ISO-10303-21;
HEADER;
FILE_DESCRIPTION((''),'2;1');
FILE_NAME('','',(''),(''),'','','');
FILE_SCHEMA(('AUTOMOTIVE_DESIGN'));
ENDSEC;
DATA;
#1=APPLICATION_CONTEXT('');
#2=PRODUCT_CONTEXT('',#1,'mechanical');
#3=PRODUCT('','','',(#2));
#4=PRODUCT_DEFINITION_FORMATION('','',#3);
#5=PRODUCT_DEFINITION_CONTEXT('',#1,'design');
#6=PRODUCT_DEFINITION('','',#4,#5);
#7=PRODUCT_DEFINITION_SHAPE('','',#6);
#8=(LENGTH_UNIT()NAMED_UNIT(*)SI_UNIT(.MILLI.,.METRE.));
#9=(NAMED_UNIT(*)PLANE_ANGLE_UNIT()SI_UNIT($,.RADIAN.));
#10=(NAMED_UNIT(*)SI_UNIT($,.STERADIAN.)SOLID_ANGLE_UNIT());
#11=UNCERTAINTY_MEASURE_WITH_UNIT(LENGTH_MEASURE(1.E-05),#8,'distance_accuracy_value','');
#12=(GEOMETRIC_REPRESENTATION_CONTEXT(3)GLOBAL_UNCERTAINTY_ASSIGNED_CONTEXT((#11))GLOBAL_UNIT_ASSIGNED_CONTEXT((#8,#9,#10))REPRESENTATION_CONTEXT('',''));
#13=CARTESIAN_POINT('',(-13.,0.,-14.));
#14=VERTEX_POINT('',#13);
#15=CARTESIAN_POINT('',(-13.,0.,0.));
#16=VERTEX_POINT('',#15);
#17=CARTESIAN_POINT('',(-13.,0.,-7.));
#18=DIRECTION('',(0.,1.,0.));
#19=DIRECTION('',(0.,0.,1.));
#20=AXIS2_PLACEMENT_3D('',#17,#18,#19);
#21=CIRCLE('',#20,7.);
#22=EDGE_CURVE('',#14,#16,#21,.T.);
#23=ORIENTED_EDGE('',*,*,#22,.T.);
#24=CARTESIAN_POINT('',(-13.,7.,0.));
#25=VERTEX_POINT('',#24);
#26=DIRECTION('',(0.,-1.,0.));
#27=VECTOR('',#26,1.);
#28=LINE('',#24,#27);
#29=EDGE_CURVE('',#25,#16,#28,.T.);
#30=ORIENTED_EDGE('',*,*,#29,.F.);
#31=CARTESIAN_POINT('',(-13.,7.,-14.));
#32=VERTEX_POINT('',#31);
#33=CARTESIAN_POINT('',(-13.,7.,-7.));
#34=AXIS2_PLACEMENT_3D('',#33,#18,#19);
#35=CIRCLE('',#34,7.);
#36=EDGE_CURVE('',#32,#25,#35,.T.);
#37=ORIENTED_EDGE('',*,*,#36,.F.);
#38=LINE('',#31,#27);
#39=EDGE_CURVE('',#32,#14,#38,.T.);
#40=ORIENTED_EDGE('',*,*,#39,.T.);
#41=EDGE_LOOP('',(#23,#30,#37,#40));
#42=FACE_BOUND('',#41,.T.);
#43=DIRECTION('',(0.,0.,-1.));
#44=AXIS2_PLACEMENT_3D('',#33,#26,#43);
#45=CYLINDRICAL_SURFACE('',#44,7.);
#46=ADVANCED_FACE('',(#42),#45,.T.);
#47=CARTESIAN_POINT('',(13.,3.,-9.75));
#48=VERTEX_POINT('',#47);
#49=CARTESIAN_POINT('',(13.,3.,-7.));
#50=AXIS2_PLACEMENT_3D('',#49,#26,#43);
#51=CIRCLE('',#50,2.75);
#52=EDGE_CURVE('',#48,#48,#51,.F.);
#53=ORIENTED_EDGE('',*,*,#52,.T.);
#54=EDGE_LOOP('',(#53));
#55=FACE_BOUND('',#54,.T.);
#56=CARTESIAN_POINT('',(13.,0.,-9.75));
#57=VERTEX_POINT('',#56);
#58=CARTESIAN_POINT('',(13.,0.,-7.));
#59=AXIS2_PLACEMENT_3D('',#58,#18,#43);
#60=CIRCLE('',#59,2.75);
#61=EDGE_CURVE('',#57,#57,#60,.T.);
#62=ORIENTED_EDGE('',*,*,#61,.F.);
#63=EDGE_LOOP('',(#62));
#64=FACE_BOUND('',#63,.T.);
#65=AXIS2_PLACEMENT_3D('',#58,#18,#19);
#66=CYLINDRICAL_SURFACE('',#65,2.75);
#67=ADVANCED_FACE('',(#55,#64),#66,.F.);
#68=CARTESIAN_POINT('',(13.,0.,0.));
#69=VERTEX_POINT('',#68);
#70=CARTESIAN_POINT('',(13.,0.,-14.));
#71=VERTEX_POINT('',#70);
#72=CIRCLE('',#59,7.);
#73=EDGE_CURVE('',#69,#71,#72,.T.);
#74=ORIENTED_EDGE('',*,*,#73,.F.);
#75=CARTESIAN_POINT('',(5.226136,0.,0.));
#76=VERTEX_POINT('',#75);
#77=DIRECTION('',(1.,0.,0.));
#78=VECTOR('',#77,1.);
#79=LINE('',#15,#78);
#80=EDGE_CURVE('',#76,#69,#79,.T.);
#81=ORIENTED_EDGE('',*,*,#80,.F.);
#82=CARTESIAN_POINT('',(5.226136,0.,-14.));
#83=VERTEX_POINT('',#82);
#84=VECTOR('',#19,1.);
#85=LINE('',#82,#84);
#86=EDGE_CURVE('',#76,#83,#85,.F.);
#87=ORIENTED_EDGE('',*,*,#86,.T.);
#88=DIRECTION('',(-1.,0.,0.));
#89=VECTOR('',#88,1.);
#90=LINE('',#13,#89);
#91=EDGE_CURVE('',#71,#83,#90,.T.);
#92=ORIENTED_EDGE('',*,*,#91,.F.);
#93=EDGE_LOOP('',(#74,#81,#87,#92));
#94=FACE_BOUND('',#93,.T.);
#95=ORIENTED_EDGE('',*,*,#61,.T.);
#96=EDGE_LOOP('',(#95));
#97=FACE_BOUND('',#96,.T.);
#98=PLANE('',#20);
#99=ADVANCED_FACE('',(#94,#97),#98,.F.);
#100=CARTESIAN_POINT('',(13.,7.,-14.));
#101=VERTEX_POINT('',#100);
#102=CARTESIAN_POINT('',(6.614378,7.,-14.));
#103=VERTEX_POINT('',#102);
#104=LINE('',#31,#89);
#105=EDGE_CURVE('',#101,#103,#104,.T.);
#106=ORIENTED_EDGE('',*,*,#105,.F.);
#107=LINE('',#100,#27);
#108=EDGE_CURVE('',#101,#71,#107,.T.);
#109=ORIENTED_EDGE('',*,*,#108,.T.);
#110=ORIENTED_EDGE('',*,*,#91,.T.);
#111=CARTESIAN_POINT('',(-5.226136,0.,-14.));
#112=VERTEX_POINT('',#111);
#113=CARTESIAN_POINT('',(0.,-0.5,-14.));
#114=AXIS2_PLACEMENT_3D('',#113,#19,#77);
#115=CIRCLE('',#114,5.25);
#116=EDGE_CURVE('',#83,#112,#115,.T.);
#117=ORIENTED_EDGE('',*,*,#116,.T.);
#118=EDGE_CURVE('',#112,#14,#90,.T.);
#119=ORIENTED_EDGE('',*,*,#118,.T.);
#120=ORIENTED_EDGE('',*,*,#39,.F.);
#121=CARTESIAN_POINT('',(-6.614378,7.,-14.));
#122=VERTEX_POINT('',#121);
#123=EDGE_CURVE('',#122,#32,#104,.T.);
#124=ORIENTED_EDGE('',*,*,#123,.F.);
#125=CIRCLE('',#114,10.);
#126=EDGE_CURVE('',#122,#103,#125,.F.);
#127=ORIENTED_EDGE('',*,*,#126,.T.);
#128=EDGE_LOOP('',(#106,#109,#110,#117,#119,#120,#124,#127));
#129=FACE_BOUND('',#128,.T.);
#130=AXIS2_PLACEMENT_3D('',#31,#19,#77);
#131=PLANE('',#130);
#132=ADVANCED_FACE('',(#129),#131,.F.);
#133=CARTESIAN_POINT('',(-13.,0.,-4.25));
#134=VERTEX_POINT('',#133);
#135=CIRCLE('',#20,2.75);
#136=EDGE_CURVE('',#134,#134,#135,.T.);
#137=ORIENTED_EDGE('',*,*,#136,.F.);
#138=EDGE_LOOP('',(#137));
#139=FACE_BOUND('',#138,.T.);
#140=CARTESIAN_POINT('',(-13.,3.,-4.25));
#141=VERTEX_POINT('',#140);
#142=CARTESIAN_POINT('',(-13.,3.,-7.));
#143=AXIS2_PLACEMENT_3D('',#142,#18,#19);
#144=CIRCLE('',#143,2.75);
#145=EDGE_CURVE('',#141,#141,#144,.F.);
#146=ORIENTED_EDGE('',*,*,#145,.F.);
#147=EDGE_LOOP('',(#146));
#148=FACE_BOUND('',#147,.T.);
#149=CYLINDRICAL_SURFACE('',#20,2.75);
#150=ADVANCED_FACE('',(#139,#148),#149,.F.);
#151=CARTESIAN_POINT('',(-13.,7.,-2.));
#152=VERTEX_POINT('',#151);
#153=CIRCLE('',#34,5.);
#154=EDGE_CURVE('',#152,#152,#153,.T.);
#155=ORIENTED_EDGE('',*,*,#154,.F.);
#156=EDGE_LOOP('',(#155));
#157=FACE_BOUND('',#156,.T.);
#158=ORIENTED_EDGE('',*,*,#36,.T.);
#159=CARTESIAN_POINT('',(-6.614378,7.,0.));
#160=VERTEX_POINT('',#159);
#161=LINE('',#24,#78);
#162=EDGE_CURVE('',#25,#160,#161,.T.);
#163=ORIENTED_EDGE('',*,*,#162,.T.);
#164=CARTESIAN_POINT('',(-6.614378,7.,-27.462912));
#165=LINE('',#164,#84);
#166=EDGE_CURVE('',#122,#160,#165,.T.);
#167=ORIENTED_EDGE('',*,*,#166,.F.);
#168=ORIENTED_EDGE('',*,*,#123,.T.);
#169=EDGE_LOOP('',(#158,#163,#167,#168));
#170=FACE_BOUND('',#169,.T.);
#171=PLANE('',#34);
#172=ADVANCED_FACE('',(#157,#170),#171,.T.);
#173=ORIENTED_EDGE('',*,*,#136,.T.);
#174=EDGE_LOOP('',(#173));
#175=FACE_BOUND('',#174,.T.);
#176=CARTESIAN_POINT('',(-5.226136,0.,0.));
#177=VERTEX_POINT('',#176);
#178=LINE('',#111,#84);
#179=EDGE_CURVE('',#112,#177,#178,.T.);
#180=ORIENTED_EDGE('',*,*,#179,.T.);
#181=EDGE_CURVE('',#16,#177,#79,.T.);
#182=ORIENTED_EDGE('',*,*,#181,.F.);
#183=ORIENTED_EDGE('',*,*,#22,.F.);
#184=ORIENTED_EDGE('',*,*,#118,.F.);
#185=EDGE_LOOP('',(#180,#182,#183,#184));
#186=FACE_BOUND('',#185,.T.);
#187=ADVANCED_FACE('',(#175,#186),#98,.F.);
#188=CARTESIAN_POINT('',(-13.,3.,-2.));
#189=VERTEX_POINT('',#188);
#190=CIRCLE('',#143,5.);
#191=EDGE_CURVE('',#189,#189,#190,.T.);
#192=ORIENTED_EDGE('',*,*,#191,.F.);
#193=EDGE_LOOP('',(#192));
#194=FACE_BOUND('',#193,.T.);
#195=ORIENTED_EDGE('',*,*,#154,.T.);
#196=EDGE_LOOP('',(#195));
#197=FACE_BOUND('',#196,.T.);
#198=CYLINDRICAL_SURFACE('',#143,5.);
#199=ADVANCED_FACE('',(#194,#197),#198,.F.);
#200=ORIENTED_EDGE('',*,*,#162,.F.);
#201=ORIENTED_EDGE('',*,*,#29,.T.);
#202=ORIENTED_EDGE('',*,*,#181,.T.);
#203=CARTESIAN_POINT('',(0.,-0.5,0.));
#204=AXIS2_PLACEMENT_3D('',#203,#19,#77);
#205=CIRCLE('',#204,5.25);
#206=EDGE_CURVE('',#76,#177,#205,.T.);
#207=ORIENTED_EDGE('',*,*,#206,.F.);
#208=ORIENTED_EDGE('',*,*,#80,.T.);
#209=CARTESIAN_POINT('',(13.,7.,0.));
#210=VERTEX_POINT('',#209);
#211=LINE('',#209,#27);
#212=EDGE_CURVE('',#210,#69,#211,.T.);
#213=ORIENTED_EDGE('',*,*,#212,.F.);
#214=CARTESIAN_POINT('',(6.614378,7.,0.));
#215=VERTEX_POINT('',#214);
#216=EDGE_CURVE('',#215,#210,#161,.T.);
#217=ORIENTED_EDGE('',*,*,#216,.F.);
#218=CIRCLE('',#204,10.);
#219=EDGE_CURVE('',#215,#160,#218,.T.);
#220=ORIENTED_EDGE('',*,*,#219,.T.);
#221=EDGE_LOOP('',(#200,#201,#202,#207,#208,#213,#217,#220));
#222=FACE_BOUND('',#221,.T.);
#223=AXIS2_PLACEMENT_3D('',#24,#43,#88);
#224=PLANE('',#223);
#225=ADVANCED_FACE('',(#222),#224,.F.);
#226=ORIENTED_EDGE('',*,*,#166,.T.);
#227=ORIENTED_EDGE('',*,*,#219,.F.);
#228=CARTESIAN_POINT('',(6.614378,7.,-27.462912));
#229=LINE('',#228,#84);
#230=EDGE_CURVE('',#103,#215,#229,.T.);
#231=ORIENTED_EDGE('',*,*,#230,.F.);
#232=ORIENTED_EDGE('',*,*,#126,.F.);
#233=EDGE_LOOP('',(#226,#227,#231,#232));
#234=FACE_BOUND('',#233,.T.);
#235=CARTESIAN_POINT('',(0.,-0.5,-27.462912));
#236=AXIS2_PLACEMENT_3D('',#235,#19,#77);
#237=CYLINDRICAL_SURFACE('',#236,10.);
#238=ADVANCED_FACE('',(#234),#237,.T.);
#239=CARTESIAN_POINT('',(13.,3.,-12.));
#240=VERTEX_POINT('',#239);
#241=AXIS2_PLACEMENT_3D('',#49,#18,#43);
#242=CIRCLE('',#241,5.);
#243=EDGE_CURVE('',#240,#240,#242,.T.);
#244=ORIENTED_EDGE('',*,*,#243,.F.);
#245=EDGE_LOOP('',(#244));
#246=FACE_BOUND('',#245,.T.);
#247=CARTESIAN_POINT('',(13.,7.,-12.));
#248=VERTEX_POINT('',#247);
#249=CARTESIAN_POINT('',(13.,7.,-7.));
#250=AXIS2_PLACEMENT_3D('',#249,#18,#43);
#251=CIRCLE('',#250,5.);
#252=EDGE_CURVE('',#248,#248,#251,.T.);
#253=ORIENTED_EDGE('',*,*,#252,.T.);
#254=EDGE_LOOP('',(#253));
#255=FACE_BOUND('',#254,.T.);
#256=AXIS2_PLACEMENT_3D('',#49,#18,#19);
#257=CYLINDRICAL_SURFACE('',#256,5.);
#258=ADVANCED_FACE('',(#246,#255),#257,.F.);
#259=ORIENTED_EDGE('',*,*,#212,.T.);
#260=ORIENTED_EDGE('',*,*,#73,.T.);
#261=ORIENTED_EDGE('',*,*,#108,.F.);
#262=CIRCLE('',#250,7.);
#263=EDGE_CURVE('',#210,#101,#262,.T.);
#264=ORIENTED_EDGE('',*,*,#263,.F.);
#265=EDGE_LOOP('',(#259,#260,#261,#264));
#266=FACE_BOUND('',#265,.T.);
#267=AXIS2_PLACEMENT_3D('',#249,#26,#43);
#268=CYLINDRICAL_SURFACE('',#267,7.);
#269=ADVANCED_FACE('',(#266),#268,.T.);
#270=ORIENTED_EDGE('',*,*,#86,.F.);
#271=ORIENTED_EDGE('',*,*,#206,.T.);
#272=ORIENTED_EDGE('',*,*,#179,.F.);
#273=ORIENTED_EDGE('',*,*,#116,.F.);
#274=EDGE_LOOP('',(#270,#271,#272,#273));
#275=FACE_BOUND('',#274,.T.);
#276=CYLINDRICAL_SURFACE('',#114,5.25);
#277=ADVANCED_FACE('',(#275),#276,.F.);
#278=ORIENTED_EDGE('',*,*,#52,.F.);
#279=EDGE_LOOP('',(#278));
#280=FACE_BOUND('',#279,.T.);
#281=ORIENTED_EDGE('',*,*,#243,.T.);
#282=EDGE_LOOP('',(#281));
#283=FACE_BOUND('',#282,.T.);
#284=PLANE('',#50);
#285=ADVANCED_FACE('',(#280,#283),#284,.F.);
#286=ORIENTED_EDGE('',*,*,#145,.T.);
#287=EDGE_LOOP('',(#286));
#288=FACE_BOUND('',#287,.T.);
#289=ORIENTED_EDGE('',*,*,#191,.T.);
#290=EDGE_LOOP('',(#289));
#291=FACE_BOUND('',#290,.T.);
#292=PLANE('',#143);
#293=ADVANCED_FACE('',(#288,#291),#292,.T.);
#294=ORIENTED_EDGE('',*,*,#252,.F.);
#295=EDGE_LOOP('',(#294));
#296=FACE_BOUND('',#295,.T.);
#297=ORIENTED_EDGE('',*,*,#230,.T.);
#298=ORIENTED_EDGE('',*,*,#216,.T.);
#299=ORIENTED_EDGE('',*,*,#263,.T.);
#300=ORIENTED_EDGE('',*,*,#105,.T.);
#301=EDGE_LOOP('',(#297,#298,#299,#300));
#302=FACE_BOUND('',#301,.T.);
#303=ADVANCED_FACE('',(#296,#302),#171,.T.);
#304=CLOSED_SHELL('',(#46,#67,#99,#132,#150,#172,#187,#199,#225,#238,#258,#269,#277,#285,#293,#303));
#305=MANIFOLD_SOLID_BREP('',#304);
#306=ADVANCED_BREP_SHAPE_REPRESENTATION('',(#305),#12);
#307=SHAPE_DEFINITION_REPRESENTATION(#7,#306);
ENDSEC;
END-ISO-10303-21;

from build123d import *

# Parameters (mm, degrees)
BOSS_EXTRUDE1_DEPTH = 7
SKETCH2_R           = 2.75
CUT_EXTRUDE1_DEPTH  = 26.396850198
SKETCH3_R           = 5
CUT_EXTRUDE2_DEPTH  = 4
SKETCH4_R           = 5.25
CUT_EXTRUDE3_DEPTH  = 26.396850198
BOSS_EXTRUDE2_DEPTH = 14


with BuildPart() as part:
    # Sketch1 → Boss-Extrude1 (new body)
    with BuildSketch(Plane(origin=(0, 0, 0), x_dir=(1, 0, 0), z_dir=(0, 1, 0))):
        with BuildLine():
            Line((-13, 0), (13, 0))
            ThreePointArc((13, 0), (20, 7), (13, 14))
            Line((13, 14), (-13, 14))
            ThreePointArc((-13, 14), (-20, 7), (-13, 0))
        make_face()
    extrude(amount=BOSS_EXTRUDE1_DEPTH)

    # Sketch2 → Cut-Extrude1 (cut, through all)
    with BuildSketch(Plane(origin=(0, 7, 0), x_dir=(1, 0, 0), z_dir=(0, 1, 0))):
        with Locations(Location((-13, 7, 0), (0, 0, 270))):
            Circle(SKETCH2_R)
        with Locations(Location((13, 7, 0), (0, 0, 90))):
            Circle(SKETCH2_R)
    extrude(amount=-CUT_EXTRUDE1_DEPTH, mode=Mode.SUBTRACT)

    # Sketch3 → Cut-Extrude2 (cut)
    with BuildSketch(Plane(origin=(0, 7, 0), x_dir=(1, 0, 0), z_dir=(0, 1, 0))):
        with Locations(Location((-13, 7, 0), (0, 0, 270))):
            Circle(SKETCH3_R)
        with Locations(Location((13, 7, 0), (0, 0, 90))):
            Circle(SKETCH3_R)
    extrude(amount=-CUT_EXTRUDE2_DEPTH, mode=Mode.SUBTRACT)

    # Sketch4 → Cut-Extrude3 (cut, through all)
    with BuildSketch(Plane.XY):
        with Locations((0, -0.5)):
            Circle(SKETCH4_R)
    extrude(amount=-CUT_EXTRUDE3_DEPTH, mode=Mode.SUBTRACT)

    # Sketch5 → Boss-Extrude2 (add)
    with BuildSketch(Plane.XY):
        with BuildLine():
            Line((-6.614378278, 7), (6.614378278, 7))
            ThreePointArc((6.614378278, 7), (0, 9.5), (-6.614378278, 7))
        make_face()
    extrude(amount=-BOSS_EXTRUDE2_DEPTH)


solid = part.part
